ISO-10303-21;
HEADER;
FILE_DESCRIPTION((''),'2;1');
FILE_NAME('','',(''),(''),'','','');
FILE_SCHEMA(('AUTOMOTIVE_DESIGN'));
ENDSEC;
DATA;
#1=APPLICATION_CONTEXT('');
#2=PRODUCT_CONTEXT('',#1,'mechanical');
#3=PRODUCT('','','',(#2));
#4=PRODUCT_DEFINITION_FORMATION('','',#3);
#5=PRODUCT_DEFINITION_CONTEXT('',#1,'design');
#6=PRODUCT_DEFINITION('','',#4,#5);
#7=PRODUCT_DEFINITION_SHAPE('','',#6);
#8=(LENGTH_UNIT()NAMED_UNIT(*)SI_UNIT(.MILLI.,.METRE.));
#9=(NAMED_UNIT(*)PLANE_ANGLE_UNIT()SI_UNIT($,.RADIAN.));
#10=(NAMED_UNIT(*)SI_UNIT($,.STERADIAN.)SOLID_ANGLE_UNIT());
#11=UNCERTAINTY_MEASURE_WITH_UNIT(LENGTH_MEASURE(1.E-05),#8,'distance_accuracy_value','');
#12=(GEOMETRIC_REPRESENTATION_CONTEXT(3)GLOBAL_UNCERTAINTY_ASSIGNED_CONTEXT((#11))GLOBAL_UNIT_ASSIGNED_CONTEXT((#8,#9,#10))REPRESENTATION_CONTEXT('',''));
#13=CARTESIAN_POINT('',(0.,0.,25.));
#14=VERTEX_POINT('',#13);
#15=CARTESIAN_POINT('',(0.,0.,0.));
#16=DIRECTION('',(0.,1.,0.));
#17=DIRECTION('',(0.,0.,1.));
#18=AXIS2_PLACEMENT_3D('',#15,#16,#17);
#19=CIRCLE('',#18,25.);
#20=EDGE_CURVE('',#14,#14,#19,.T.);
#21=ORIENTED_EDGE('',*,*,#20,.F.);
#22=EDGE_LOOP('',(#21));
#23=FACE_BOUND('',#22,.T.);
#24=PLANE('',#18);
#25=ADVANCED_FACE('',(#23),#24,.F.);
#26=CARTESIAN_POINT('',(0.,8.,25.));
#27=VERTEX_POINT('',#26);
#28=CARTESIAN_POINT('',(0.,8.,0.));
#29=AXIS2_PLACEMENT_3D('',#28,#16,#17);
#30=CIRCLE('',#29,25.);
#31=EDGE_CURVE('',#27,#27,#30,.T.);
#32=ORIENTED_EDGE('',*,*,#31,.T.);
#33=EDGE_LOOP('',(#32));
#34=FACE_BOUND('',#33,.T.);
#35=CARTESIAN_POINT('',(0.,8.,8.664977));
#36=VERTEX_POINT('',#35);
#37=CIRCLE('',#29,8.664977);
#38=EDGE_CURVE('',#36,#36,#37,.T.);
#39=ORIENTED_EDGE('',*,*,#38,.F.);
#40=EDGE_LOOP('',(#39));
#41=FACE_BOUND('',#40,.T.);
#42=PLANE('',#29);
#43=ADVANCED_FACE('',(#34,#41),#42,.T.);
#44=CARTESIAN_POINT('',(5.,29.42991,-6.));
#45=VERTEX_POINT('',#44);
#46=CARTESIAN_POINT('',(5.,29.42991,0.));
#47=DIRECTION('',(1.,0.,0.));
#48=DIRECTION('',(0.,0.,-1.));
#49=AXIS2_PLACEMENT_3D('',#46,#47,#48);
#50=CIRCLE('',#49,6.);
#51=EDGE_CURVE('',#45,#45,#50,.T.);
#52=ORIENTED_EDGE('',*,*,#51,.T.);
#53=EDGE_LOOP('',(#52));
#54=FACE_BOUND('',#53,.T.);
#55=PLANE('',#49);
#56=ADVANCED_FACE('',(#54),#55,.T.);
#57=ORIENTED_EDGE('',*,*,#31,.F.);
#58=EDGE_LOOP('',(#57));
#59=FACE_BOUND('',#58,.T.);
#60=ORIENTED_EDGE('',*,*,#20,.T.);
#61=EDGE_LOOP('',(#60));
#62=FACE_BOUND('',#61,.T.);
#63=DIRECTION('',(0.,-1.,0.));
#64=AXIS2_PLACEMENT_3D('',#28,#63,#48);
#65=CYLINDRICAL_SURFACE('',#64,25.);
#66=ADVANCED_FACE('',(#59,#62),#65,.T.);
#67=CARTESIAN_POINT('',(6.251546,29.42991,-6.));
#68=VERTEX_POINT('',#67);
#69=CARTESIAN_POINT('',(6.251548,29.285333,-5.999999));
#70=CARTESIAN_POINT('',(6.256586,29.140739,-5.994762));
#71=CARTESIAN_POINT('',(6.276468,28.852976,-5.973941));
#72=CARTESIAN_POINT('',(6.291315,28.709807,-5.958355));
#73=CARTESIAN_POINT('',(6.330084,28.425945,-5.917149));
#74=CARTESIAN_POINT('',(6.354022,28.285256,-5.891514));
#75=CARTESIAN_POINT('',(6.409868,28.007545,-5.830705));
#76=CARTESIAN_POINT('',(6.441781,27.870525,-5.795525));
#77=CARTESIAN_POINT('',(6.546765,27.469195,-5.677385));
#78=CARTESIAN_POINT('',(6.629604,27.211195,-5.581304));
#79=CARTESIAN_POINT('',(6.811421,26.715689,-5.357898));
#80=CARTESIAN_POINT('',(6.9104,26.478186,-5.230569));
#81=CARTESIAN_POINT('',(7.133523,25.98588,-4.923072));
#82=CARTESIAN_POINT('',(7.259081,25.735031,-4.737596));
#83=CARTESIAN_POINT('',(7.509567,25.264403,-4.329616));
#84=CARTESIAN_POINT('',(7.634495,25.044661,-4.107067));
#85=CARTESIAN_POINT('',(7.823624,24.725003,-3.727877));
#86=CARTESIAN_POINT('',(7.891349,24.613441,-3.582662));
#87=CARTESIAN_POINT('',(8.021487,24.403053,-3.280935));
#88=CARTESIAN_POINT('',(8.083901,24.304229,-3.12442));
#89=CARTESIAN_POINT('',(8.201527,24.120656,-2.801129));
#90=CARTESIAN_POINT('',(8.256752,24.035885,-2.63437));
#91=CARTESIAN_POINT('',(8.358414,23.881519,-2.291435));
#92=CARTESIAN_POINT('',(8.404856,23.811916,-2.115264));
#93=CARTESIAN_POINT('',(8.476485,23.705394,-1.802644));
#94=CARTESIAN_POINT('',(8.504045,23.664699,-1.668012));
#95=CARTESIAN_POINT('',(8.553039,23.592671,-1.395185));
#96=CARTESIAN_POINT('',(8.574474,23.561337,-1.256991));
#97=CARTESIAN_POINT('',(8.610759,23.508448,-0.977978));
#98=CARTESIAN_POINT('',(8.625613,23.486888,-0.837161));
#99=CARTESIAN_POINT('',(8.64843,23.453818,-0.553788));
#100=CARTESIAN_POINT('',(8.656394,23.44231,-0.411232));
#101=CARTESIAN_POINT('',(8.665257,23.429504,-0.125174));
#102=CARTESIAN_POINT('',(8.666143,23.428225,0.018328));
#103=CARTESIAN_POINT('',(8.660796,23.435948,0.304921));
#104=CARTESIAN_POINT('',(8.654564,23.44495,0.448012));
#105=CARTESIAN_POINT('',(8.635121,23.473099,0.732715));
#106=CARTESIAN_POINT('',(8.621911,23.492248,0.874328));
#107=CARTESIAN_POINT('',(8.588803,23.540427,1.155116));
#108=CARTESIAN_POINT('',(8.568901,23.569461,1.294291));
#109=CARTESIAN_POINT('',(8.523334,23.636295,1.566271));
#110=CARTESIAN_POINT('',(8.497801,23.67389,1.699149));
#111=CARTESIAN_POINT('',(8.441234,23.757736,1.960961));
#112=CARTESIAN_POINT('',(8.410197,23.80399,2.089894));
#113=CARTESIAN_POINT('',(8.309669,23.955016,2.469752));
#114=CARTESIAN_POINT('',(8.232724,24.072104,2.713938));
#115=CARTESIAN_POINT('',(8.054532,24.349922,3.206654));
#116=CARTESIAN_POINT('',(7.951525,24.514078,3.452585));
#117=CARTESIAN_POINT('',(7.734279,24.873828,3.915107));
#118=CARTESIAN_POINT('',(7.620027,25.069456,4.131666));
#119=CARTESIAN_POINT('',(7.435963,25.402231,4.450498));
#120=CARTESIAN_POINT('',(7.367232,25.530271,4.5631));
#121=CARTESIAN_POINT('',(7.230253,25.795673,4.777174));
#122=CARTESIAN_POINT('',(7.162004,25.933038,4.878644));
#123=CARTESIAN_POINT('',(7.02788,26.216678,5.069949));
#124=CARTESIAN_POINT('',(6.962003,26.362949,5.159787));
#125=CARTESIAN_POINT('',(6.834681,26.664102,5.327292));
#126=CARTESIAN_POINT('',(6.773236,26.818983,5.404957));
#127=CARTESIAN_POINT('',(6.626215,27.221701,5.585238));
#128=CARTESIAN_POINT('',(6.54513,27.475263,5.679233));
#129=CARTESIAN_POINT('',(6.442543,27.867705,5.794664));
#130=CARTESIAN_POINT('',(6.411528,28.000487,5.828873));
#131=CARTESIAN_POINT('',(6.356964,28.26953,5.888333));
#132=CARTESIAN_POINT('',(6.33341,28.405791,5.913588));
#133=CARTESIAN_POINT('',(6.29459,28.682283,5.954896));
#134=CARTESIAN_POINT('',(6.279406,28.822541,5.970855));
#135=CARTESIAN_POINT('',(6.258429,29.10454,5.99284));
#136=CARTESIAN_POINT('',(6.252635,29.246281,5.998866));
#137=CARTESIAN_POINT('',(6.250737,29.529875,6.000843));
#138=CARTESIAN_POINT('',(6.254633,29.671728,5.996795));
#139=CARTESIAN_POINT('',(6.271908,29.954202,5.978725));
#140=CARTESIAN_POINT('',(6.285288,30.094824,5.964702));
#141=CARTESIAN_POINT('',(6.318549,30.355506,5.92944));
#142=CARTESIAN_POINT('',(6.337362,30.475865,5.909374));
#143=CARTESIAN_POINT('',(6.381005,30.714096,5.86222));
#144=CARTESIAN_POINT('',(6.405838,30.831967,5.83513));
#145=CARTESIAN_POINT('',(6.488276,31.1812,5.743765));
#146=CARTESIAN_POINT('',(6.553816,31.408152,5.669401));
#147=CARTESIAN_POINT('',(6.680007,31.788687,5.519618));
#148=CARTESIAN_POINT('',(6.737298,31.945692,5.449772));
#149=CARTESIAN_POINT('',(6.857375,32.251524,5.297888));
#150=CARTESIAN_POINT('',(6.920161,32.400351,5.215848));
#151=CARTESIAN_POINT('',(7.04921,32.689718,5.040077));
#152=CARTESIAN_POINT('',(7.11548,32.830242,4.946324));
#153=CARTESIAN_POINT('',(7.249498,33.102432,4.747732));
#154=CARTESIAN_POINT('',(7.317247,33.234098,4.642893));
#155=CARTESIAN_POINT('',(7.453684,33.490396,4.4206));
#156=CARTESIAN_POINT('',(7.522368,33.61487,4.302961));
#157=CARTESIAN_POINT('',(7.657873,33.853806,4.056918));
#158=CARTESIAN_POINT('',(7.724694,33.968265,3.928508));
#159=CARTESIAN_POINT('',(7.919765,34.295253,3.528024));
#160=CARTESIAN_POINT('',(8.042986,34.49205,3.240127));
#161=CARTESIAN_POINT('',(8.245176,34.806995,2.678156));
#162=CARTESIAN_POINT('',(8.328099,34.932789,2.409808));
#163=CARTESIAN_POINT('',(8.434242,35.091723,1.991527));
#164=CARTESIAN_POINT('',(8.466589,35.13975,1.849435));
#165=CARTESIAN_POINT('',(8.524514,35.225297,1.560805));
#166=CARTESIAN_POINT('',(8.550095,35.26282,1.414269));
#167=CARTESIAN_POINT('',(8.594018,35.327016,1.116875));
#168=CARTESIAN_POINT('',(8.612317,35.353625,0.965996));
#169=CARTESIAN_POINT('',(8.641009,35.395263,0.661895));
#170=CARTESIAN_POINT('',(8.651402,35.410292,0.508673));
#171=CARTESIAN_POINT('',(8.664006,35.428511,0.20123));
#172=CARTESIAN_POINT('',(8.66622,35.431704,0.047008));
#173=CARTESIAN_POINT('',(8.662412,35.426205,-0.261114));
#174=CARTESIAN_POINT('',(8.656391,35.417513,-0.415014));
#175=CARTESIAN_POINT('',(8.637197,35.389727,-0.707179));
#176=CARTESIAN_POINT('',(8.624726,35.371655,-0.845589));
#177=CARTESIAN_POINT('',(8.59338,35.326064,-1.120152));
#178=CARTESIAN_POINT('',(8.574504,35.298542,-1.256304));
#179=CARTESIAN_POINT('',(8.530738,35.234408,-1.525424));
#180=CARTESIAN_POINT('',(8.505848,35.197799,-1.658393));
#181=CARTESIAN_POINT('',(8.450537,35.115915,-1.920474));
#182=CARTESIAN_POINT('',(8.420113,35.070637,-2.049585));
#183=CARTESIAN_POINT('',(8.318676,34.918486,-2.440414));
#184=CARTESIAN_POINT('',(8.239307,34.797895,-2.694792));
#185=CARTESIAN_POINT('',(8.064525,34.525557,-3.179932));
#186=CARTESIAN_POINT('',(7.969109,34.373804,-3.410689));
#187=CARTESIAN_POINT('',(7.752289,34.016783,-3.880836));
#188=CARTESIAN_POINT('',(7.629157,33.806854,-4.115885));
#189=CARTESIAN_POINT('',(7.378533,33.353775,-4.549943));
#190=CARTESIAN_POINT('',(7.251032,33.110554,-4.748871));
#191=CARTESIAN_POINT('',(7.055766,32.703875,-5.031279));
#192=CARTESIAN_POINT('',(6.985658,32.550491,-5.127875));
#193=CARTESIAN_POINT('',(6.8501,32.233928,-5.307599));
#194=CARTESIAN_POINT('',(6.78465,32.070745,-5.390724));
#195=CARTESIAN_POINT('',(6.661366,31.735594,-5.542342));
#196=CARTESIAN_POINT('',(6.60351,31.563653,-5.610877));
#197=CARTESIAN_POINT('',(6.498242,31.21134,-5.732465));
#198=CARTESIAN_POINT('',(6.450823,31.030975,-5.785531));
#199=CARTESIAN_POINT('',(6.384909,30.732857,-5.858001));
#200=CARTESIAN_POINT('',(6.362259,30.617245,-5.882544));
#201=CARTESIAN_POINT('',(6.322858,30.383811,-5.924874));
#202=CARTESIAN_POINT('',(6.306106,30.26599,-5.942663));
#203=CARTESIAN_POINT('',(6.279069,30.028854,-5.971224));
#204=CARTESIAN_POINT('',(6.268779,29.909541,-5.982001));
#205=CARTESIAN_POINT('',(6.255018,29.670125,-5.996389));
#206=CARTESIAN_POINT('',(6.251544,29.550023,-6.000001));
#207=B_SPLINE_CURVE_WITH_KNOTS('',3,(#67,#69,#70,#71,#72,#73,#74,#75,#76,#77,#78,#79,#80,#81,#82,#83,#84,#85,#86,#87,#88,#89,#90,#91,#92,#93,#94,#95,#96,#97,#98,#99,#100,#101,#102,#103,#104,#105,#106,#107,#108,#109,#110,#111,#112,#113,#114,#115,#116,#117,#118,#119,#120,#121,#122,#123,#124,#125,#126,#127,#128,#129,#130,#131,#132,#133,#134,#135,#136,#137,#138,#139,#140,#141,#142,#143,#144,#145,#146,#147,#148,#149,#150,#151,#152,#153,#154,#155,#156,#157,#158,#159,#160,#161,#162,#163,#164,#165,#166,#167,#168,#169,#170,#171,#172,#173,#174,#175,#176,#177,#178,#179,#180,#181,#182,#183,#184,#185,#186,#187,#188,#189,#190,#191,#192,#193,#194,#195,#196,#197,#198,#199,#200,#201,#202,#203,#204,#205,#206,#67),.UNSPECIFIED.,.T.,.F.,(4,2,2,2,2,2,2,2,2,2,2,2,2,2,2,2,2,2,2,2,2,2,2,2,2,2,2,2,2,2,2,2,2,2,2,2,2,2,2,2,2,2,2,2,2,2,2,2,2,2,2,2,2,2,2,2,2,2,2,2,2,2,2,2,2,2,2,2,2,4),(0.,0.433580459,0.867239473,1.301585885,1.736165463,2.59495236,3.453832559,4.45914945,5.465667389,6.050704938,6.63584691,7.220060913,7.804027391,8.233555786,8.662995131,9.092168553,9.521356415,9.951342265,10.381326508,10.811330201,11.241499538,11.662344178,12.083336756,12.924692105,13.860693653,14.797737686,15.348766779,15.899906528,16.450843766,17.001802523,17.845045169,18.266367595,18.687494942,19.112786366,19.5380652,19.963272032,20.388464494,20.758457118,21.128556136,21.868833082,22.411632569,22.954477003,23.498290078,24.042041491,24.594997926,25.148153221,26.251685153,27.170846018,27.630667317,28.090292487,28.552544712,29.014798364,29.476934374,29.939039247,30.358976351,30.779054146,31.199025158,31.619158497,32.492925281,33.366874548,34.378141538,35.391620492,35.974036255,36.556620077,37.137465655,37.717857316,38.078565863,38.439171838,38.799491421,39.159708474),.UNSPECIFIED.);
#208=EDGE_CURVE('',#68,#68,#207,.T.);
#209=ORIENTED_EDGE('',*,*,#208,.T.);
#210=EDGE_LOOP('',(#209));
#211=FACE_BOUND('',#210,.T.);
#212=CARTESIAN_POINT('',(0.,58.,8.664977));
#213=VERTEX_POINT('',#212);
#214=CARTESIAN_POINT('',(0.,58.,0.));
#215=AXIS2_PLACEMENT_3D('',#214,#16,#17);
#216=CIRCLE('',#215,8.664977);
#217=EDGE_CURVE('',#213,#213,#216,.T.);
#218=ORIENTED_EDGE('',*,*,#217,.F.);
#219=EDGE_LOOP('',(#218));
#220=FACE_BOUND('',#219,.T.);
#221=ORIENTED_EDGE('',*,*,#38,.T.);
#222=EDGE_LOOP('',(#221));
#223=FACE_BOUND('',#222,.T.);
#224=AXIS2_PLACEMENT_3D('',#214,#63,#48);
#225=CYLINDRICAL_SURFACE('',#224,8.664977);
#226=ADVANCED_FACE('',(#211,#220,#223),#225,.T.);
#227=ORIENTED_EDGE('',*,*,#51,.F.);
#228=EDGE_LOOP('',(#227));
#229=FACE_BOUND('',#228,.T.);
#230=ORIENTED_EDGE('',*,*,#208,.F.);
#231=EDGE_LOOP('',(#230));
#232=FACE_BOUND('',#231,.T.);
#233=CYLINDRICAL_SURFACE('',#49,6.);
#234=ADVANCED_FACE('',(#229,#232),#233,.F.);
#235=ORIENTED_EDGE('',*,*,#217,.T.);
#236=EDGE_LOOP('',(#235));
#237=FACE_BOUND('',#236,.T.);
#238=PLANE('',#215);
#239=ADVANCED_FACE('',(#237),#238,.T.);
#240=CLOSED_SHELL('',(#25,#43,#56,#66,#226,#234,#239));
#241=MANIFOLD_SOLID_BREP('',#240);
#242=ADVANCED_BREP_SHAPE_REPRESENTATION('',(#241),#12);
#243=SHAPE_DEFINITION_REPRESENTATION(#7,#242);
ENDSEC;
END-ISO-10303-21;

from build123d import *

# Parameters (mm, degrees)
SKETCH1_R           = 25
BOSS_EXTRUDE1_DEPTH = 8
SKETCH2_R           = 8.664977056
BOSS_EXTRUDE2_DEPTH = 50
SKETCH3_R           = 6
CUT_EXTRUDE1_DEPTH  = 15


with BuildPart() as part:
    # Sketch1 → Boss-Extrude1 (new body)
    with BuildSketch(Plane(origin=(0, 0, 0), x_dir=(1, 0, 0), z_dir=(0, 1, 0))):
        Circle(SKETCH1_R)
    extrude(amount=BOSS_EXTRUDE1_DEPTH)

    # Sketch2 → Boss-Extrude2 (add)
    with BuildSketch(Plane(origin=(0, 8, 0), x_dir=(1, 0, 0), z_dir=(0, 1, 0))):
        Circle(SKETCH2_R)
    extrude(amount=BOSS_EXTRUDE2_DEPTH)

    # Sketch3 → Cut-Extrude1 (cut)
    with BuildSketch(Plane(origin=(20, 0, 0), x_dir=(0, 0, -1), z_dir=(1, 0, 0))):
        with Locations((0, 29.42990961)):
            Circle(SKETCH3_R)
    extrude(amount=-CUT_EXTRUDE1_DEPTH, mode=Mode.SUBTRACT)


solid = part.part
